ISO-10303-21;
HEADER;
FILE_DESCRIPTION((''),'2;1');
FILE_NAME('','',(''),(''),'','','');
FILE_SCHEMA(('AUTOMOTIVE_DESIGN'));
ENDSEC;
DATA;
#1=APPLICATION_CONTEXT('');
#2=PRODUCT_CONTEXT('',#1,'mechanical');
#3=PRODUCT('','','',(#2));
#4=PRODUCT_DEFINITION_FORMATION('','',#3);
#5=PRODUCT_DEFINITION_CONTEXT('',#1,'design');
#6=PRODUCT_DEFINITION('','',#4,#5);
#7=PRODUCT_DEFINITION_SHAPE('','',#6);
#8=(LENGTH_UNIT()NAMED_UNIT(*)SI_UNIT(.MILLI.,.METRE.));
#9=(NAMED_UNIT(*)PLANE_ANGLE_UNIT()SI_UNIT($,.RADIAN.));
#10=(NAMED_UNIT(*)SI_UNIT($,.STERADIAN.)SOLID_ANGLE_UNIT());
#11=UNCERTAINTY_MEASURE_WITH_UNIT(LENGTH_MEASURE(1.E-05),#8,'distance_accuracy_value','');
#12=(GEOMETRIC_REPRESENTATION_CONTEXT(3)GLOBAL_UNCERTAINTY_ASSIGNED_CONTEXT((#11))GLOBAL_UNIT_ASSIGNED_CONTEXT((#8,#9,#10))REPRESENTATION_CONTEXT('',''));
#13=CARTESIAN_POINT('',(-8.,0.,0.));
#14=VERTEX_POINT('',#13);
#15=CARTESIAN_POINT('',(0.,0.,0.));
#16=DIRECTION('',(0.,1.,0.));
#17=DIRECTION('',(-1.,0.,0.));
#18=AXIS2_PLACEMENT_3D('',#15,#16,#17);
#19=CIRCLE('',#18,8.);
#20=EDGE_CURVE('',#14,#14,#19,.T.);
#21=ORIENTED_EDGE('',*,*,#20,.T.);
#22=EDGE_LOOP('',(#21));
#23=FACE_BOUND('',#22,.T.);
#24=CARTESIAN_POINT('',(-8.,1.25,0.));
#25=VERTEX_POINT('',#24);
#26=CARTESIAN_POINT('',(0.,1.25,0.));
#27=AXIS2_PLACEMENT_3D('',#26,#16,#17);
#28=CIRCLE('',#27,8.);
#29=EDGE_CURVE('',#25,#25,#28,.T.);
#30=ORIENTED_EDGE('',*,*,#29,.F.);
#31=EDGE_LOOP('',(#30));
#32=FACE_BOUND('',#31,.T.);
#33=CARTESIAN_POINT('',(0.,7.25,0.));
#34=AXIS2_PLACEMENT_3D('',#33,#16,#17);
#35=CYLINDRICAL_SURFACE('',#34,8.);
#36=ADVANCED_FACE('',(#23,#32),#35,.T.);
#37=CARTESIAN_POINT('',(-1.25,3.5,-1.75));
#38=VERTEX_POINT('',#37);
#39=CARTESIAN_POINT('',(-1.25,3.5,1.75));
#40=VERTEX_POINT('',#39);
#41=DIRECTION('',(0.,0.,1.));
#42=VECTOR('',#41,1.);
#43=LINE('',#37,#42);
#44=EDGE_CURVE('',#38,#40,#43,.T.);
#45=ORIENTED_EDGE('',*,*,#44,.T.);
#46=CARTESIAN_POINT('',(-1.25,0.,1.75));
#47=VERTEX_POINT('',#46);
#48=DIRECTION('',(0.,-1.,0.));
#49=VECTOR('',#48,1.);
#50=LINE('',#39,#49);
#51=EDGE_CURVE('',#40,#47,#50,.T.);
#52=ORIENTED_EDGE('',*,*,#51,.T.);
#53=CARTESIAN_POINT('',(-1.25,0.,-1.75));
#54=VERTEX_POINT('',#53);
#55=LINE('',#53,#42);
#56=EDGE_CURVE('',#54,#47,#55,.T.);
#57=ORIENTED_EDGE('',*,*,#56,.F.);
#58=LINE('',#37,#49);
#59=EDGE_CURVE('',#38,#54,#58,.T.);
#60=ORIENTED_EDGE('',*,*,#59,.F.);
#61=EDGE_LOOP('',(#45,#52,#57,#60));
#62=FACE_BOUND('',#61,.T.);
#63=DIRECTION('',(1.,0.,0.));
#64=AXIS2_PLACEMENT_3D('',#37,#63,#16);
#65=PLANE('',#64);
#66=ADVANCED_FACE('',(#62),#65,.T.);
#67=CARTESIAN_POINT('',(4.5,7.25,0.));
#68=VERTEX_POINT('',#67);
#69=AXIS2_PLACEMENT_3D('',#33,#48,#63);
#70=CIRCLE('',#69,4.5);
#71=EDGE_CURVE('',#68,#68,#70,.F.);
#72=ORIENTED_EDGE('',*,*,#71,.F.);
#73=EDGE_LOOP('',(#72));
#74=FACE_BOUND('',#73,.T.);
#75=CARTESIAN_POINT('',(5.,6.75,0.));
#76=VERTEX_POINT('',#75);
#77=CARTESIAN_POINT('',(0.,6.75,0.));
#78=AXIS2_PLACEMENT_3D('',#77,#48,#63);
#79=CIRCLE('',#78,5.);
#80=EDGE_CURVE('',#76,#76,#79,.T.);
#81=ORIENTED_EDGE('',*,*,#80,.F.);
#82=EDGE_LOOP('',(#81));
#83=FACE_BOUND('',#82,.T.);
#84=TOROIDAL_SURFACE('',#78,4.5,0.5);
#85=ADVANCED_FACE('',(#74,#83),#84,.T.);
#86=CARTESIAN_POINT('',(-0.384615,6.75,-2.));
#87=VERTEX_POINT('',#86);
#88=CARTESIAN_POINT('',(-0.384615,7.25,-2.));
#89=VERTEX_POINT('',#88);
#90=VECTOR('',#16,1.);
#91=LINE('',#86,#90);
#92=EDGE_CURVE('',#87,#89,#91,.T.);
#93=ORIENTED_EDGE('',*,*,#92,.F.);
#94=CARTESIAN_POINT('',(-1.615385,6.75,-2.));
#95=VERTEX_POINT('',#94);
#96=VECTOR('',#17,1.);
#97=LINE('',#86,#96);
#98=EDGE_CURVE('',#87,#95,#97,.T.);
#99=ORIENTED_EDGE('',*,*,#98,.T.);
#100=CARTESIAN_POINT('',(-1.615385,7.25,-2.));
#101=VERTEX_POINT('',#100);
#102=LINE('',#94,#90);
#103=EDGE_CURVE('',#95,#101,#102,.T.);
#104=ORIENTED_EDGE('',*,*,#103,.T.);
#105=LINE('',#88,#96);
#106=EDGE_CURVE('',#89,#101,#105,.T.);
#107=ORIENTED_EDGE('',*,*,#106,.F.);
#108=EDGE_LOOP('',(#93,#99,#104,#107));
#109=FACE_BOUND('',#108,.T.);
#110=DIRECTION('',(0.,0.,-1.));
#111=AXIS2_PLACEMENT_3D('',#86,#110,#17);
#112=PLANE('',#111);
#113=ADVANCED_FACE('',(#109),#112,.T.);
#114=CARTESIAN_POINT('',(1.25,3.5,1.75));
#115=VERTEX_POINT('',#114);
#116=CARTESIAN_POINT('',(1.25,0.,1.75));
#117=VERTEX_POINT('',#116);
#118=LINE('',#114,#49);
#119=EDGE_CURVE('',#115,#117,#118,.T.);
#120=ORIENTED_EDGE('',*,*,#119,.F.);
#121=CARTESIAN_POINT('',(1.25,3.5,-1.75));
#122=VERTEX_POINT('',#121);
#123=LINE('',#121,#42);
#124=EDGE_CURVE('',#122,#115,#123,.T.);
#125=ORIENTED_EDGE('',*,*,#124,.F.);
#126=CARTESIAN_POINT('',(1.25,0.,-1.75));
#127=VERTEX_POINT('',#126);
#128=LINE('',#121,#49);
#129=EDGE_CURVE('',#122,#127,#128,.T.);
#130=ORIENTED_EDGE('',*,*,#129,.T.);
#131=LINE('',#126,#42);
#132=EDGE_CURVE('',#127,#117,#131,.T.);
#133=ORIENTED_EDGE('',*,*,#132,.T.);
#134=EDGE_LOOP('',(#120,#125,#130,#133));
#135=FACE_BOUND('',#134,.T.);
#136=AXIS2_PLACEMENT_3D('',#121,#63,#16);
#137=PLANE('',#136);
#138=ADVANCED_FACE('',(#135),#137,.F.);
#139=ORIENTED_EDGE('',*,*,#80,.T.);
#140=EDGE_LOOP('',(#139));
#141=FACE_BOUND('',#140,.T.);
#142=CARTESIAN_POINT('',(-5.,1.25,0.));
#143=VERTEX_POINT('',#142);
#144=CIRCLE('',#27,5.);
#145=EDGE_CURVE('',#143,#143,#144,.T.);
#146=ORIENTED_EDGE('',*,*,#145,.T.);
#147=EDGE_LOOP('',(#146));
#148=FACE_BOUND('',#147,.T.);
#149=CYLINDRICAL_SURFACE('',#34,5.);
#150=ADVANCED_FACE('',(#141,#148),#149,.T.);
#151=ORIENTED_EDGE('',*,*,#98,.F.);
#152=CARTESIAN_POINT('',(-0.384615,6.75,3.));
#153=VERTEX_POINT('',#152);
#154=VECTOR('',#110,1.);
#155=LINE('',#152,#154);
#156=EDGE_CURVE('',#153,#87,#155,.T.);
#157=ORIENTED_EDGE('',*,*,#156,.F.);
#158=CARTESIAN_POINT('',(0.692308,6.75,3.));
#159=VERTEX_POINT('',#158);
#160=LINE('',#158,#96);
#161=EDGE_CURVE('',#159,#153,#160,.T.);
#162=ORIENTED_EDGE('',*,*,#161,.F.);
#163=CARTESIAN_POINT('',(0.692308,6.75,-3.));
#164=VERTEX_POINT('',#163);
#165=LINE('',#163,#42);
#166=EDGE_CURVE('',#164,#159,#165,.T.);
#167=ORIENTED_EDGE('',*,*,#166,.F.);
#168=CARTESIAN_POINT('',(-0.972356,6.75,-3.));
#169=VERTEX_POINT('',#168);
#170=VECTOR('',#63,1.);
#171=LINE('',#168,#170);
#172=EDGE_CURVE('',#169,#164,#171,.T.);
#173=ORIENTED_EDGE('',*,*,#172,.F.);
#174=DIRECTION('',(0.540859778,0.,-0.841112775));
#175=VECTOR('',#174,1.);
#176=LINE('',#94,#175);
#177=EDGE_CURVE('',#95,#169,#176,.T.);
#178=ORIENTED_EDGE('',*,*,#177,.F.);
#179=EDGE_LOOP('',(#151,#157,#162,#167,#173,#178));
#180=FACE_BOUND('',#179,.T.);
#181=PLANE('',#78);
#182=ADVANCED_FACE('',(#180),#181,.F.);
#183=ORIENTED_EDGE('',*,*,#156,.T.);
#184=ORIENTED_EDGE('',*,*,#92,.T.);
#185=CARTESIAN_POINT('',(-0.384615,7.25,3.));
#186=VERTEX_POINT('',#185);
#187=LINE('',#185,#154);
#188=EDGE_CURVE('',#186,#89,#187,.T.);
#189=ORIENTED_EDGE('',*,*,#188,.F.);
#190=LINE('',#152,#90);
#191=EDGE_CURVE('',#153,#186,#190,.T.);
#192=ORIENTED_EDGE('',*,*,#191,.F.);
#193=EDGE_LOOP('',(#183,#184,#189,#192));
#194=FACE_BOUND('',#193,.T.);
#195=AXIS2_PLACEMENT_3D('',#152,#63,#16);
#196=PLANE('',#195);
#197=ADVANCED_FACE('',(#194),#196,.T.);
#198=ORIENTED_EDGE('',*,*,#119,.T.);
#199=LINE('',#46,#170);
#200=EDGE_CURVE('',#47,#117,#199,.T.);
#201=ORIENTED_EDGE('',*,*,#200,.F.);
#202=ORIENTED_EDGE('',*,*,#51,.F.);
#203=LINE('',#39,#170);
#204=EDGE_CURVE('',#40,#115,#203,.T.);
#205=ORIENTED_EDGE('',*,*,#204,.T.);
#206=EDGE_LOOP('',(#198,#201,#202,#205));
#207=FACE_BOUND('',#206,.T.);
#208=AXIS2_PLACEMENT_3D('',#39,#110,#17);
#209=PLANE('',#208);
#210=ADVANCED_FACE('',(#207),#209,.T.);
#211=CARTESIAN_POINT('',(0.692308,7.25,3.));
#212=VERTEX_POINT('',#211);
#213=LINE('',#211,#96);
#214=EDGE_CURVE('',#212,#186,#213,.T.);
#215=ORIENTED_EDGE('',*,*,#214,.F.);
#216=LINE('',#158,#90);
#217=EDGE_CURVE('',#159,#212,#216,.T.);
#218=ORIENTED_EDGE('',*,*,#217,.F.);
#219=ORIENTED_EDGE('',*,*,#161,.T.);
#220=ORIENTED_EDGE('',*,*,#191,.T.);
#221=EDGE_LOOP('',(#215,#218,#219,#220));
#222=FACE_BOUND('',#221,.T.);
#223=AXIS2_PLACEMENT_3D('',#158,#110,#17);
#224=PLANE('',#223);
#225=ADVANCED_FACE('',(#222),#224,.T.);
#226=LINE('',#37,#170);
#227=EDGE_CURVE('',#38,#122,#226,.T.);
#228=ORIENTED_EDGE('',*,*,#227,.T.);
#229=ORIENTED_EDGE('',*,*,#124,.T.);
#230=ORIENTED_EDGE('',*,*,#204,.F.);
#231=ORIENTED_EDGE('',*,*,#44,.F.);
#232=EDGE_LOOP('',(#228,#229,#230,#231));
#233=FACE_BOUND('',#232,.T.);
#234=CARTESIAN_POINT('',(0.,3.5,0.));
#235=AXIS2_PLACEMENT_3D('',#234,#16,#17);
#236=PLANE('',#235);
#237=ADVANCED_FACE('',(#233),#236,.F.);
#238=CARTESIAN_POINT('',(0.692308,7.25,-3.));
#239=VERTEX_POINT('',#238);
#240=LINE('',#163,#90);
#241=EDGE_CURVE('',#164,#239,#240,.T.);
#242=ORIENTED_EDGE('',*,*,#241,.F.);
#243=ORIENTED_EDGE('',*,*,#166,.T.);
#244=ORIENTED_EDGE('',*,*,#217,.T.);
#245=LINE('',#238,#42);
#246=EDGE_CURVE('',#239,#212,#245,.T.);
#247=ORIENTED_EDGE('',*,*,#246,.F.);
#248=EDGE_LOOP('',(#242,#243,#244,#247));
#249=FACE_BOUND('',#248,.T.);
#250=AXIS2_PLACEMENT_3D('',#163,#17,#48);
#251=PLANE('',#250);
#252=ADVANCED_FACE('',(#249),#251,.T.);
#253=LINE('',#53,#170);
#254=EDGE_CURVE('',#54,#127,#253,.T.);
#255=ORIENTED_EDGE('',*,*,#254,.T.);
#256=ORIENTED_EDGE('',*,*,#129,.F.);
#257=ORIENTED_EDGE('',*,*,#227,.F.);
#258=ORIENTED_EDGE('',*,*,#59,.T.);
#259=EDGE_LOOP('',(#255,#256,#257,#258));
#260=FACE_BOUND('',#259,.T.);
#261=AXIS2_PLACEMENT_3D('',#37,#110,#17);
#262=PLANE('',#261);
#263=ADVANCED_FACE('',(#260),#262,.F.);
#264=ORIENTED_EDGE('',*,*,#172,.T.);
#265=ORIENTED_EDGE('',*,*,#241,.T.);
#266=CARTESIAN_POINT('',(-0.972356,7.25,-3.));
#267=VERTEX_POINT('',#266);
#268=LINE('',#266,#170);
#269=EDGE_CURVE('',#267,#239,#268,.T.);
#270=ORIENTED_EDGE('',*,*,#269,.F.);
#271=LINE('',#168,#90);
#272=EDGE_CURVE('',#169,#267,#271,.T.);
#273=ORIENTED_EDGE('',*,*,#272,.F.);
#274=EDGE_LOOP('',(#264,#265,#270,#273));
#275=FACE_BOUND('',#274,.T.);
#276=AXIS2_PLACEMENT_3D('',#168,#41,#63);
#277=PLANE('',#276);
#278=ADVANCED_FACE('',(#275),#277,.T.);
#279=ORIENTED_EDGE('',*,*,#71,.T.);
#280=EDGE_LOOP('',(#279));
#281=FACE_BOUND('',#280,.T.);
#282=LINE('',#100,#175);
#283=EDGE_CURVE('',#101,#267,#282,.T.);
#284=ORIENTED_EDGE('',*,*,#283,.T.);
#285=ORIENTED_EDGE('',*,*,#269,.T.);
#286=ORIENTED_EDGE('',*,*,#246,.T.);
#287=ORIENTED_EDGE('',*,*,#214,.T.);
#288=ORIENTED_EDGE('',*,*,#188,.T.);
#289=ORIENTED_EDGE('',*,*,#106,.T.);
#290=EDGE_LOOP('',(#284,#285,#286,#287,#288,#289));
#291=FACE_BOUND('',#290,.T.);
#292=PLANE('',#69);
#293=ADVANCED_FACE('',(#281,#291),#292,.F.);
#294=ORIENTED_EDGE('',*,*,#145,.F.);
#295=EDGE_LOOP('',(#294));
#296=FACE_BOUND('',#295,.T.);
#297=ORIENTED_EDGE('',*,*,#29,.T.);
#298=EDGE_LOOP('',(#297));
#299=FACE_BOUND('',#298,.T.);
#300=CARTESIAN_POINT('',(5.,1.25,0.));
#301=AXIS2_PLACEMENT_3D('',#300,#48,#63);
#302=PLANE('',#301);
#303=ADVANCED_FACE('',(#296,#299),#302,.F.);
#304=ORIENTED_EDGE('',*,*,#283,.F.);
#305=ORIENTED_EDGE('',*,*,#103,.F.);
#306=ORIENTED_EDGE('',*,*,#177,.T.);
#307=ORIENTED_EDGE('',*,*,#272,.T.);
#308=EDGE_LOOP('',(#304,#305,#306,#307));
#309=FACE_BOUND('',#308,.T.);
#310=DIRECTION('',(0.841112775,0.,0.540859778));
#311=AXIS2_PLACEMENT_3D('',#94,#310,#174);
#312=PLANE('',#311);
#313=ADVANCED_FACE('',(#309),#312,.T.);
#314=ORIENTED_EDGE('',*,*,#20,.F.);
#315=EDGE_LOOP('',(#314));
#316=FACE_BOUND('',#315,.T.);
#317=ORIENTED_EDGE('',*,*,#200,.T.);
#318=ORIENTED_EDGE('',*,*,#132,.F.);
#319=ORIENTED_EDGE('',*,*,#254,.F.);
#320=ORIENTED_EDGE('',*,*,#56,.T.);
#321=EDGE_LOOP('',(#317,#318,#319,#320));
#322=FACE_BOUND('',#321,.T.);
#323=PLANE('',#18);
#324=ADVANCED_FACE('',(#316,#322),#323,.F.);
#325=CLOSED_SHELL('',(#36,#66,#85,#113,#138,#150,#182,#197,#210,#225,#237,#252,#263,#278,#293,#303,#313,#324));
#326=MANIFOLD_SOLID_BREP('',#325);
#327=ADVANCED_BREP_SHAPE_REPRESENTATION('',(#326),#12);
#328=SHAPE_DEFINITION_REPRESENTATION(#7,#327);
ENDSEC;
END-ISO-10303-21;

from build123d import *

# Parameters (mm, degrees)
SKETCH2_W          = 2.5
SKETCH2_H          = 3.5
CUT_EXTRUDE1_DEPTH = 3.5
FILLET1_R          = 0.5
CUT_EXTRUDE2_DEPTH = 0.5


with BuildPart() as part:
    # Sketch1 → Revolve1 (revolve)
    with BuildSketch(Plane.XY, mode=Mode.PRIVATE) as revolve1_sk:
        Polygon((0, 7.25), (5, 7.25), (5, 1.25), (8, 1.25), (8, 0), (0, 0), align=None)
    revolve(revolve1_sk.sketch.rotate(Axis((0, 7.25, 0), (0, -1, 0)), 180), axis=Axis((0, 7.25, 0), (0, -1, 0)))

    # Sketch2 → Cut-Extrude1 (cut)
    with BuildSketch(Plane.XZ):
        Rectangle(SKETCH2_W, SKETCH2_H)
    extrude(amount=-CUT_EXTRUDE1_DEPTH, mode=Mode.SUBTRACT)

    # Fillet1
    fillet1_edges = [part.edges().sort_by_distance(p)[0] for p in [
        (5, 7.25, 0),
    ]]
    fillet(fillet1_edges, radius=FILLET1_R)

    # Sketch3 → Cut-Extrude2 (cut)
    with BuildSketch(Plane(origin=(0, 7.25, 0), x_dir=(1, 0, 0), z_dir=(0, 1, 0))):
        Polygon((-0.972355769, 3), (0.692307692, 3), (0.692307692, -3), (-0.384615385, -3), (-0.384615385, 2), (-1.615384615, 2), align=None)
    extrude(amount=-CUT_EXTRUDE2_DEPTH, mode=Mode.SUBTRACT)


solid = part.part
